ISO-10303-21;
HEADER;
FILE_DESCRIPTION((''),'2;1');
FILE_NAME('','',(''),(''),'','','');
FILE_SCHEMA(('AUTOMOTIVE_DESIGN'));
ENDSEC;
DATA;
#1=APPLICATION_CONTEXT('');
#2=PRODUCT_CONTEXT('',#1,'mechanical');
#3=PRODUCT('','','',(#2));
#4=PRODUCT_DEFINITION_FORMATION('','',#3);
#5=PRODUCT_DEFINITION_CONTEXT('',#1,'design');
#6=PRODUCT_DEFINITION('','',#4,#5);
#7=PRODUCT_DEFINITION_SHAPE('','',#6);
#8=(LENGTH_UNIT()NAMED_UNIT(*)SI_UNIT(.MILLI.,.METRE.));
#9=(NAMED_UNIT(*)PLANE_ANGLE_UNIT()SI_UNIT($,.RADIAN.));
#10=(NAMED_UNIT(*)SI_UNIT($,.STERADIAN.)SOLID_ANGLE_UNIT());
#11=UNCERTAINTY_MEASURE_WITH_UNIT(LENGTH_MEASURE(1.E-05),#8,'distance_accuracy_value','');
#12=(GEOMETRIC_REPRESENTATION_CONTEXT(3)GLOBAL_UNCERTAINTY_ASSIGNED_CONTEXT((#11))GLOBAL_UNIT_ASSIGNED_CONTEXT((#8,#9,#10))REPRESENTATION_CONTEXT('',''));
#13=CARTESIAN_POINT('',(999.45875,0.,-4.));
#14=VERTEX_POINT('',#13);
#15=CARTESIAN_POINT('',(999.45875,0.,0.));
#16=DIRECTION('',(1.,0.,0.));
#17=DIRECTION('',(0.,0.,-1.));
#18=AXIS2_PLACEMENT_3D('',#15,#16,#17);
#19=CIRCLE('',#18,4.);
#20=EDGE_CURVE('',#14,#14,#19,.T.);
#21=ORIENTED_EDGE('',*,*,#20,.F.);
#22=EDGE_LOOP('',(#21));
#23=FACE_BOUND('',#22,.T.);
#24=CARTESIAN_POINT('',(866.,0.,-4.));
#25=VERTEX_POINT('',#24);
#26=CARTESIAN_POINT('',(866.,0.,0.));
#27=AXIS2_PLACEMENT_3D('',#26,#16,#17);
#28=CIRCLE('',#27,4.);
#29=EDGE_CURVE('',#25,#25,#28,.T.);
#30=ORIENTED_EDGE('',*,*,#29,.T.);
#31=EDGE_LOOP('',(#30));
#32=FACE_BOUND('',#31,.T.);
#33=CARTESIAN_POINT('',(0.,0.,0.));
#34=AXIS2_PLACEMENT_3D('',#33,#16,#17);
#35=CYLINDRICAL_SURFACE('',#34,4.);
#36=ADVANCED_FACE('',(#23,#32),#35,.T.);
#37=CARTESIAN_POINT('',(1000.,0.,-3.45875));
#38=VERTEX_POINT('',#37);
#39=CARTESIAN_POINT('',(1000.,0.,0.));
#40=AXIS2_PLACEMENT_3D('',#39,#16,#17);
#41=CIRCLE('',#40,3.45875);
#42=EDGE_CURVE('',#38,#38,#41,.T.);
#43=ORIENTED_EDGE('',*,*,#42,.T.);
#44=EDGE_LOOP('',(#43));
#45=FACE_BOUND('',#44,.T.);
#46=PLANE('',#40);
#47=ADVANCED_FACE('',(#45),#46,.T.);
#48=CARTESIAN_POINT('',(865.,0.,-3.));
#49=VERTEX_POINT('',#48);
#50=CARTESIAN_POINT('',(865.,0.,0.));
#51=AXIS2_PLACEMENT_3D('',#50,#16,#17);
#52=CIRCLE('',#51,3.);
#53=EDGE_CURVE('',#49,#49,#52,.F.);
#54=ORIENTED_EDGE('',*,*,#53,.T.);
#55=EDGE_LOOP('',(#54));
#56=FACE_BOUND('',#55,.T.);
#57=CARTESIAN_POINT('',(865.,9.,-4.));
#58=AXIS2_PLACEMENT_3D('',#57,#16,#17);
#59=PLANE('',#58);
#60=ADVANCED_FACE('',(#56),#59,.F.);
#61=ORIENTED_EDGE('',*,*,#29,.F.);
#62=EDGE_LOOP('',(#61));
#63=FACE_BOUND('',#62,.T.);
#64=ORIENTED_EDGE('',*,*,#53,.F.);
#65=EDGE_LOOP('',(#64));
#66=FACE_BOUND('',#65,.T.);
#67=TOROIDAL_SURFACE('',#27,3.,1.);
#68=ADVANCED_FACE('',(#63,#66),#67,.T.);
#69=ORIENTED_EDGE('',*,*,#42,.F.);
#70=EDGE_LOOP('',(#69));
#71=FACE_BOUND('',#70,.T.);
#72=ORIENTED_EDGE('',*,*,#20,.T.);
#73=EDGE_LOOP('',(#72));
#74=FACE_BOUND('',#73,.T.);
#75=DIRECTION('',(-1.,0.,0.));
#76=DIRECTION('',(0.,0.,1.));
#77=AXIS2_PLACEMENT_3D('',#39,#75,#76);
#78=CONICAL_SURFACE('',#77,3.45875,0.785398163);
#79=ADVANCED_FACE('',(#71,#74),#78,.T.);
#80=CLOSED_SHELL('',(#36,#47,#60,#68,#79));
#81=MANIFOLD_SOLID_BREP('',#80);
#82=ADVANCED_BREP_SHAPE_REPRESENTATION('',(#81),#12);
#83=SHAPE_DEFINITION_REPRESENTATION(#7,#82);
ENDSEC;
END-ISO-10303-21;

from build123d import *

# Parameters (mm, degrees)
SCHNITT_LINEAR_AUSTRAGEN1_DEPTH      = 1001.015999872
SCHNITT_LINEAR_AUSTRAGEN1_DEPTH_BACK = 1001.015999872
SKIZZE2_W                            = 870
SKIZZE2_H                            = 18
VERRUNDUNG1_R                        = 1


with BuildPart() as part:
    # Skizze1 → Rotation1 (revolve)
    with BuildSketch(Plane.XY, mode=Mode.PRIVATE) as rotation1_sk:
        Polygon((0, 3.45875), (0, 0), (1000, 0), (1000, 3.45875), (999.45875, 4), (0.54125, 4), align=None)
    revolve(rotation1_sk.sketch.rotate(Axis((0, 0, 0), (1, 0, 0)), 270), axis=Axis((0, 0, 0), (1, 0, 0)))

    # Skizze2 → Schnitt-Linear austragen1 (cut, two sides: drawn at the far end of the back side and taken through both)
    with BuildSketch(Plane.XY.offset(-SCHNITT_LINEAR_AUSTRAGEN1_DEPTH_BACK)):
        with Locations((430, 0)):
            Rectangle(SKIZZE2_W, SKIZZE2_H)
    extrude(amount=SCHNITT_LINEAR_AUSTRAGEN1_DEPTH + SCHNITT_LINEAR_AUSTRAGEN1_DEPTH_BACK, mode=Mode.SUBTRACT)

    # Verrundung1
    verrundung1_edges = [part.edges().sort_by_distance(p)[0] for p in [
        (865, 0, 4),
    ]]
    fillet(verrundung1_edges, radius=VERRUNDUNG1_R)


solid = part.part
